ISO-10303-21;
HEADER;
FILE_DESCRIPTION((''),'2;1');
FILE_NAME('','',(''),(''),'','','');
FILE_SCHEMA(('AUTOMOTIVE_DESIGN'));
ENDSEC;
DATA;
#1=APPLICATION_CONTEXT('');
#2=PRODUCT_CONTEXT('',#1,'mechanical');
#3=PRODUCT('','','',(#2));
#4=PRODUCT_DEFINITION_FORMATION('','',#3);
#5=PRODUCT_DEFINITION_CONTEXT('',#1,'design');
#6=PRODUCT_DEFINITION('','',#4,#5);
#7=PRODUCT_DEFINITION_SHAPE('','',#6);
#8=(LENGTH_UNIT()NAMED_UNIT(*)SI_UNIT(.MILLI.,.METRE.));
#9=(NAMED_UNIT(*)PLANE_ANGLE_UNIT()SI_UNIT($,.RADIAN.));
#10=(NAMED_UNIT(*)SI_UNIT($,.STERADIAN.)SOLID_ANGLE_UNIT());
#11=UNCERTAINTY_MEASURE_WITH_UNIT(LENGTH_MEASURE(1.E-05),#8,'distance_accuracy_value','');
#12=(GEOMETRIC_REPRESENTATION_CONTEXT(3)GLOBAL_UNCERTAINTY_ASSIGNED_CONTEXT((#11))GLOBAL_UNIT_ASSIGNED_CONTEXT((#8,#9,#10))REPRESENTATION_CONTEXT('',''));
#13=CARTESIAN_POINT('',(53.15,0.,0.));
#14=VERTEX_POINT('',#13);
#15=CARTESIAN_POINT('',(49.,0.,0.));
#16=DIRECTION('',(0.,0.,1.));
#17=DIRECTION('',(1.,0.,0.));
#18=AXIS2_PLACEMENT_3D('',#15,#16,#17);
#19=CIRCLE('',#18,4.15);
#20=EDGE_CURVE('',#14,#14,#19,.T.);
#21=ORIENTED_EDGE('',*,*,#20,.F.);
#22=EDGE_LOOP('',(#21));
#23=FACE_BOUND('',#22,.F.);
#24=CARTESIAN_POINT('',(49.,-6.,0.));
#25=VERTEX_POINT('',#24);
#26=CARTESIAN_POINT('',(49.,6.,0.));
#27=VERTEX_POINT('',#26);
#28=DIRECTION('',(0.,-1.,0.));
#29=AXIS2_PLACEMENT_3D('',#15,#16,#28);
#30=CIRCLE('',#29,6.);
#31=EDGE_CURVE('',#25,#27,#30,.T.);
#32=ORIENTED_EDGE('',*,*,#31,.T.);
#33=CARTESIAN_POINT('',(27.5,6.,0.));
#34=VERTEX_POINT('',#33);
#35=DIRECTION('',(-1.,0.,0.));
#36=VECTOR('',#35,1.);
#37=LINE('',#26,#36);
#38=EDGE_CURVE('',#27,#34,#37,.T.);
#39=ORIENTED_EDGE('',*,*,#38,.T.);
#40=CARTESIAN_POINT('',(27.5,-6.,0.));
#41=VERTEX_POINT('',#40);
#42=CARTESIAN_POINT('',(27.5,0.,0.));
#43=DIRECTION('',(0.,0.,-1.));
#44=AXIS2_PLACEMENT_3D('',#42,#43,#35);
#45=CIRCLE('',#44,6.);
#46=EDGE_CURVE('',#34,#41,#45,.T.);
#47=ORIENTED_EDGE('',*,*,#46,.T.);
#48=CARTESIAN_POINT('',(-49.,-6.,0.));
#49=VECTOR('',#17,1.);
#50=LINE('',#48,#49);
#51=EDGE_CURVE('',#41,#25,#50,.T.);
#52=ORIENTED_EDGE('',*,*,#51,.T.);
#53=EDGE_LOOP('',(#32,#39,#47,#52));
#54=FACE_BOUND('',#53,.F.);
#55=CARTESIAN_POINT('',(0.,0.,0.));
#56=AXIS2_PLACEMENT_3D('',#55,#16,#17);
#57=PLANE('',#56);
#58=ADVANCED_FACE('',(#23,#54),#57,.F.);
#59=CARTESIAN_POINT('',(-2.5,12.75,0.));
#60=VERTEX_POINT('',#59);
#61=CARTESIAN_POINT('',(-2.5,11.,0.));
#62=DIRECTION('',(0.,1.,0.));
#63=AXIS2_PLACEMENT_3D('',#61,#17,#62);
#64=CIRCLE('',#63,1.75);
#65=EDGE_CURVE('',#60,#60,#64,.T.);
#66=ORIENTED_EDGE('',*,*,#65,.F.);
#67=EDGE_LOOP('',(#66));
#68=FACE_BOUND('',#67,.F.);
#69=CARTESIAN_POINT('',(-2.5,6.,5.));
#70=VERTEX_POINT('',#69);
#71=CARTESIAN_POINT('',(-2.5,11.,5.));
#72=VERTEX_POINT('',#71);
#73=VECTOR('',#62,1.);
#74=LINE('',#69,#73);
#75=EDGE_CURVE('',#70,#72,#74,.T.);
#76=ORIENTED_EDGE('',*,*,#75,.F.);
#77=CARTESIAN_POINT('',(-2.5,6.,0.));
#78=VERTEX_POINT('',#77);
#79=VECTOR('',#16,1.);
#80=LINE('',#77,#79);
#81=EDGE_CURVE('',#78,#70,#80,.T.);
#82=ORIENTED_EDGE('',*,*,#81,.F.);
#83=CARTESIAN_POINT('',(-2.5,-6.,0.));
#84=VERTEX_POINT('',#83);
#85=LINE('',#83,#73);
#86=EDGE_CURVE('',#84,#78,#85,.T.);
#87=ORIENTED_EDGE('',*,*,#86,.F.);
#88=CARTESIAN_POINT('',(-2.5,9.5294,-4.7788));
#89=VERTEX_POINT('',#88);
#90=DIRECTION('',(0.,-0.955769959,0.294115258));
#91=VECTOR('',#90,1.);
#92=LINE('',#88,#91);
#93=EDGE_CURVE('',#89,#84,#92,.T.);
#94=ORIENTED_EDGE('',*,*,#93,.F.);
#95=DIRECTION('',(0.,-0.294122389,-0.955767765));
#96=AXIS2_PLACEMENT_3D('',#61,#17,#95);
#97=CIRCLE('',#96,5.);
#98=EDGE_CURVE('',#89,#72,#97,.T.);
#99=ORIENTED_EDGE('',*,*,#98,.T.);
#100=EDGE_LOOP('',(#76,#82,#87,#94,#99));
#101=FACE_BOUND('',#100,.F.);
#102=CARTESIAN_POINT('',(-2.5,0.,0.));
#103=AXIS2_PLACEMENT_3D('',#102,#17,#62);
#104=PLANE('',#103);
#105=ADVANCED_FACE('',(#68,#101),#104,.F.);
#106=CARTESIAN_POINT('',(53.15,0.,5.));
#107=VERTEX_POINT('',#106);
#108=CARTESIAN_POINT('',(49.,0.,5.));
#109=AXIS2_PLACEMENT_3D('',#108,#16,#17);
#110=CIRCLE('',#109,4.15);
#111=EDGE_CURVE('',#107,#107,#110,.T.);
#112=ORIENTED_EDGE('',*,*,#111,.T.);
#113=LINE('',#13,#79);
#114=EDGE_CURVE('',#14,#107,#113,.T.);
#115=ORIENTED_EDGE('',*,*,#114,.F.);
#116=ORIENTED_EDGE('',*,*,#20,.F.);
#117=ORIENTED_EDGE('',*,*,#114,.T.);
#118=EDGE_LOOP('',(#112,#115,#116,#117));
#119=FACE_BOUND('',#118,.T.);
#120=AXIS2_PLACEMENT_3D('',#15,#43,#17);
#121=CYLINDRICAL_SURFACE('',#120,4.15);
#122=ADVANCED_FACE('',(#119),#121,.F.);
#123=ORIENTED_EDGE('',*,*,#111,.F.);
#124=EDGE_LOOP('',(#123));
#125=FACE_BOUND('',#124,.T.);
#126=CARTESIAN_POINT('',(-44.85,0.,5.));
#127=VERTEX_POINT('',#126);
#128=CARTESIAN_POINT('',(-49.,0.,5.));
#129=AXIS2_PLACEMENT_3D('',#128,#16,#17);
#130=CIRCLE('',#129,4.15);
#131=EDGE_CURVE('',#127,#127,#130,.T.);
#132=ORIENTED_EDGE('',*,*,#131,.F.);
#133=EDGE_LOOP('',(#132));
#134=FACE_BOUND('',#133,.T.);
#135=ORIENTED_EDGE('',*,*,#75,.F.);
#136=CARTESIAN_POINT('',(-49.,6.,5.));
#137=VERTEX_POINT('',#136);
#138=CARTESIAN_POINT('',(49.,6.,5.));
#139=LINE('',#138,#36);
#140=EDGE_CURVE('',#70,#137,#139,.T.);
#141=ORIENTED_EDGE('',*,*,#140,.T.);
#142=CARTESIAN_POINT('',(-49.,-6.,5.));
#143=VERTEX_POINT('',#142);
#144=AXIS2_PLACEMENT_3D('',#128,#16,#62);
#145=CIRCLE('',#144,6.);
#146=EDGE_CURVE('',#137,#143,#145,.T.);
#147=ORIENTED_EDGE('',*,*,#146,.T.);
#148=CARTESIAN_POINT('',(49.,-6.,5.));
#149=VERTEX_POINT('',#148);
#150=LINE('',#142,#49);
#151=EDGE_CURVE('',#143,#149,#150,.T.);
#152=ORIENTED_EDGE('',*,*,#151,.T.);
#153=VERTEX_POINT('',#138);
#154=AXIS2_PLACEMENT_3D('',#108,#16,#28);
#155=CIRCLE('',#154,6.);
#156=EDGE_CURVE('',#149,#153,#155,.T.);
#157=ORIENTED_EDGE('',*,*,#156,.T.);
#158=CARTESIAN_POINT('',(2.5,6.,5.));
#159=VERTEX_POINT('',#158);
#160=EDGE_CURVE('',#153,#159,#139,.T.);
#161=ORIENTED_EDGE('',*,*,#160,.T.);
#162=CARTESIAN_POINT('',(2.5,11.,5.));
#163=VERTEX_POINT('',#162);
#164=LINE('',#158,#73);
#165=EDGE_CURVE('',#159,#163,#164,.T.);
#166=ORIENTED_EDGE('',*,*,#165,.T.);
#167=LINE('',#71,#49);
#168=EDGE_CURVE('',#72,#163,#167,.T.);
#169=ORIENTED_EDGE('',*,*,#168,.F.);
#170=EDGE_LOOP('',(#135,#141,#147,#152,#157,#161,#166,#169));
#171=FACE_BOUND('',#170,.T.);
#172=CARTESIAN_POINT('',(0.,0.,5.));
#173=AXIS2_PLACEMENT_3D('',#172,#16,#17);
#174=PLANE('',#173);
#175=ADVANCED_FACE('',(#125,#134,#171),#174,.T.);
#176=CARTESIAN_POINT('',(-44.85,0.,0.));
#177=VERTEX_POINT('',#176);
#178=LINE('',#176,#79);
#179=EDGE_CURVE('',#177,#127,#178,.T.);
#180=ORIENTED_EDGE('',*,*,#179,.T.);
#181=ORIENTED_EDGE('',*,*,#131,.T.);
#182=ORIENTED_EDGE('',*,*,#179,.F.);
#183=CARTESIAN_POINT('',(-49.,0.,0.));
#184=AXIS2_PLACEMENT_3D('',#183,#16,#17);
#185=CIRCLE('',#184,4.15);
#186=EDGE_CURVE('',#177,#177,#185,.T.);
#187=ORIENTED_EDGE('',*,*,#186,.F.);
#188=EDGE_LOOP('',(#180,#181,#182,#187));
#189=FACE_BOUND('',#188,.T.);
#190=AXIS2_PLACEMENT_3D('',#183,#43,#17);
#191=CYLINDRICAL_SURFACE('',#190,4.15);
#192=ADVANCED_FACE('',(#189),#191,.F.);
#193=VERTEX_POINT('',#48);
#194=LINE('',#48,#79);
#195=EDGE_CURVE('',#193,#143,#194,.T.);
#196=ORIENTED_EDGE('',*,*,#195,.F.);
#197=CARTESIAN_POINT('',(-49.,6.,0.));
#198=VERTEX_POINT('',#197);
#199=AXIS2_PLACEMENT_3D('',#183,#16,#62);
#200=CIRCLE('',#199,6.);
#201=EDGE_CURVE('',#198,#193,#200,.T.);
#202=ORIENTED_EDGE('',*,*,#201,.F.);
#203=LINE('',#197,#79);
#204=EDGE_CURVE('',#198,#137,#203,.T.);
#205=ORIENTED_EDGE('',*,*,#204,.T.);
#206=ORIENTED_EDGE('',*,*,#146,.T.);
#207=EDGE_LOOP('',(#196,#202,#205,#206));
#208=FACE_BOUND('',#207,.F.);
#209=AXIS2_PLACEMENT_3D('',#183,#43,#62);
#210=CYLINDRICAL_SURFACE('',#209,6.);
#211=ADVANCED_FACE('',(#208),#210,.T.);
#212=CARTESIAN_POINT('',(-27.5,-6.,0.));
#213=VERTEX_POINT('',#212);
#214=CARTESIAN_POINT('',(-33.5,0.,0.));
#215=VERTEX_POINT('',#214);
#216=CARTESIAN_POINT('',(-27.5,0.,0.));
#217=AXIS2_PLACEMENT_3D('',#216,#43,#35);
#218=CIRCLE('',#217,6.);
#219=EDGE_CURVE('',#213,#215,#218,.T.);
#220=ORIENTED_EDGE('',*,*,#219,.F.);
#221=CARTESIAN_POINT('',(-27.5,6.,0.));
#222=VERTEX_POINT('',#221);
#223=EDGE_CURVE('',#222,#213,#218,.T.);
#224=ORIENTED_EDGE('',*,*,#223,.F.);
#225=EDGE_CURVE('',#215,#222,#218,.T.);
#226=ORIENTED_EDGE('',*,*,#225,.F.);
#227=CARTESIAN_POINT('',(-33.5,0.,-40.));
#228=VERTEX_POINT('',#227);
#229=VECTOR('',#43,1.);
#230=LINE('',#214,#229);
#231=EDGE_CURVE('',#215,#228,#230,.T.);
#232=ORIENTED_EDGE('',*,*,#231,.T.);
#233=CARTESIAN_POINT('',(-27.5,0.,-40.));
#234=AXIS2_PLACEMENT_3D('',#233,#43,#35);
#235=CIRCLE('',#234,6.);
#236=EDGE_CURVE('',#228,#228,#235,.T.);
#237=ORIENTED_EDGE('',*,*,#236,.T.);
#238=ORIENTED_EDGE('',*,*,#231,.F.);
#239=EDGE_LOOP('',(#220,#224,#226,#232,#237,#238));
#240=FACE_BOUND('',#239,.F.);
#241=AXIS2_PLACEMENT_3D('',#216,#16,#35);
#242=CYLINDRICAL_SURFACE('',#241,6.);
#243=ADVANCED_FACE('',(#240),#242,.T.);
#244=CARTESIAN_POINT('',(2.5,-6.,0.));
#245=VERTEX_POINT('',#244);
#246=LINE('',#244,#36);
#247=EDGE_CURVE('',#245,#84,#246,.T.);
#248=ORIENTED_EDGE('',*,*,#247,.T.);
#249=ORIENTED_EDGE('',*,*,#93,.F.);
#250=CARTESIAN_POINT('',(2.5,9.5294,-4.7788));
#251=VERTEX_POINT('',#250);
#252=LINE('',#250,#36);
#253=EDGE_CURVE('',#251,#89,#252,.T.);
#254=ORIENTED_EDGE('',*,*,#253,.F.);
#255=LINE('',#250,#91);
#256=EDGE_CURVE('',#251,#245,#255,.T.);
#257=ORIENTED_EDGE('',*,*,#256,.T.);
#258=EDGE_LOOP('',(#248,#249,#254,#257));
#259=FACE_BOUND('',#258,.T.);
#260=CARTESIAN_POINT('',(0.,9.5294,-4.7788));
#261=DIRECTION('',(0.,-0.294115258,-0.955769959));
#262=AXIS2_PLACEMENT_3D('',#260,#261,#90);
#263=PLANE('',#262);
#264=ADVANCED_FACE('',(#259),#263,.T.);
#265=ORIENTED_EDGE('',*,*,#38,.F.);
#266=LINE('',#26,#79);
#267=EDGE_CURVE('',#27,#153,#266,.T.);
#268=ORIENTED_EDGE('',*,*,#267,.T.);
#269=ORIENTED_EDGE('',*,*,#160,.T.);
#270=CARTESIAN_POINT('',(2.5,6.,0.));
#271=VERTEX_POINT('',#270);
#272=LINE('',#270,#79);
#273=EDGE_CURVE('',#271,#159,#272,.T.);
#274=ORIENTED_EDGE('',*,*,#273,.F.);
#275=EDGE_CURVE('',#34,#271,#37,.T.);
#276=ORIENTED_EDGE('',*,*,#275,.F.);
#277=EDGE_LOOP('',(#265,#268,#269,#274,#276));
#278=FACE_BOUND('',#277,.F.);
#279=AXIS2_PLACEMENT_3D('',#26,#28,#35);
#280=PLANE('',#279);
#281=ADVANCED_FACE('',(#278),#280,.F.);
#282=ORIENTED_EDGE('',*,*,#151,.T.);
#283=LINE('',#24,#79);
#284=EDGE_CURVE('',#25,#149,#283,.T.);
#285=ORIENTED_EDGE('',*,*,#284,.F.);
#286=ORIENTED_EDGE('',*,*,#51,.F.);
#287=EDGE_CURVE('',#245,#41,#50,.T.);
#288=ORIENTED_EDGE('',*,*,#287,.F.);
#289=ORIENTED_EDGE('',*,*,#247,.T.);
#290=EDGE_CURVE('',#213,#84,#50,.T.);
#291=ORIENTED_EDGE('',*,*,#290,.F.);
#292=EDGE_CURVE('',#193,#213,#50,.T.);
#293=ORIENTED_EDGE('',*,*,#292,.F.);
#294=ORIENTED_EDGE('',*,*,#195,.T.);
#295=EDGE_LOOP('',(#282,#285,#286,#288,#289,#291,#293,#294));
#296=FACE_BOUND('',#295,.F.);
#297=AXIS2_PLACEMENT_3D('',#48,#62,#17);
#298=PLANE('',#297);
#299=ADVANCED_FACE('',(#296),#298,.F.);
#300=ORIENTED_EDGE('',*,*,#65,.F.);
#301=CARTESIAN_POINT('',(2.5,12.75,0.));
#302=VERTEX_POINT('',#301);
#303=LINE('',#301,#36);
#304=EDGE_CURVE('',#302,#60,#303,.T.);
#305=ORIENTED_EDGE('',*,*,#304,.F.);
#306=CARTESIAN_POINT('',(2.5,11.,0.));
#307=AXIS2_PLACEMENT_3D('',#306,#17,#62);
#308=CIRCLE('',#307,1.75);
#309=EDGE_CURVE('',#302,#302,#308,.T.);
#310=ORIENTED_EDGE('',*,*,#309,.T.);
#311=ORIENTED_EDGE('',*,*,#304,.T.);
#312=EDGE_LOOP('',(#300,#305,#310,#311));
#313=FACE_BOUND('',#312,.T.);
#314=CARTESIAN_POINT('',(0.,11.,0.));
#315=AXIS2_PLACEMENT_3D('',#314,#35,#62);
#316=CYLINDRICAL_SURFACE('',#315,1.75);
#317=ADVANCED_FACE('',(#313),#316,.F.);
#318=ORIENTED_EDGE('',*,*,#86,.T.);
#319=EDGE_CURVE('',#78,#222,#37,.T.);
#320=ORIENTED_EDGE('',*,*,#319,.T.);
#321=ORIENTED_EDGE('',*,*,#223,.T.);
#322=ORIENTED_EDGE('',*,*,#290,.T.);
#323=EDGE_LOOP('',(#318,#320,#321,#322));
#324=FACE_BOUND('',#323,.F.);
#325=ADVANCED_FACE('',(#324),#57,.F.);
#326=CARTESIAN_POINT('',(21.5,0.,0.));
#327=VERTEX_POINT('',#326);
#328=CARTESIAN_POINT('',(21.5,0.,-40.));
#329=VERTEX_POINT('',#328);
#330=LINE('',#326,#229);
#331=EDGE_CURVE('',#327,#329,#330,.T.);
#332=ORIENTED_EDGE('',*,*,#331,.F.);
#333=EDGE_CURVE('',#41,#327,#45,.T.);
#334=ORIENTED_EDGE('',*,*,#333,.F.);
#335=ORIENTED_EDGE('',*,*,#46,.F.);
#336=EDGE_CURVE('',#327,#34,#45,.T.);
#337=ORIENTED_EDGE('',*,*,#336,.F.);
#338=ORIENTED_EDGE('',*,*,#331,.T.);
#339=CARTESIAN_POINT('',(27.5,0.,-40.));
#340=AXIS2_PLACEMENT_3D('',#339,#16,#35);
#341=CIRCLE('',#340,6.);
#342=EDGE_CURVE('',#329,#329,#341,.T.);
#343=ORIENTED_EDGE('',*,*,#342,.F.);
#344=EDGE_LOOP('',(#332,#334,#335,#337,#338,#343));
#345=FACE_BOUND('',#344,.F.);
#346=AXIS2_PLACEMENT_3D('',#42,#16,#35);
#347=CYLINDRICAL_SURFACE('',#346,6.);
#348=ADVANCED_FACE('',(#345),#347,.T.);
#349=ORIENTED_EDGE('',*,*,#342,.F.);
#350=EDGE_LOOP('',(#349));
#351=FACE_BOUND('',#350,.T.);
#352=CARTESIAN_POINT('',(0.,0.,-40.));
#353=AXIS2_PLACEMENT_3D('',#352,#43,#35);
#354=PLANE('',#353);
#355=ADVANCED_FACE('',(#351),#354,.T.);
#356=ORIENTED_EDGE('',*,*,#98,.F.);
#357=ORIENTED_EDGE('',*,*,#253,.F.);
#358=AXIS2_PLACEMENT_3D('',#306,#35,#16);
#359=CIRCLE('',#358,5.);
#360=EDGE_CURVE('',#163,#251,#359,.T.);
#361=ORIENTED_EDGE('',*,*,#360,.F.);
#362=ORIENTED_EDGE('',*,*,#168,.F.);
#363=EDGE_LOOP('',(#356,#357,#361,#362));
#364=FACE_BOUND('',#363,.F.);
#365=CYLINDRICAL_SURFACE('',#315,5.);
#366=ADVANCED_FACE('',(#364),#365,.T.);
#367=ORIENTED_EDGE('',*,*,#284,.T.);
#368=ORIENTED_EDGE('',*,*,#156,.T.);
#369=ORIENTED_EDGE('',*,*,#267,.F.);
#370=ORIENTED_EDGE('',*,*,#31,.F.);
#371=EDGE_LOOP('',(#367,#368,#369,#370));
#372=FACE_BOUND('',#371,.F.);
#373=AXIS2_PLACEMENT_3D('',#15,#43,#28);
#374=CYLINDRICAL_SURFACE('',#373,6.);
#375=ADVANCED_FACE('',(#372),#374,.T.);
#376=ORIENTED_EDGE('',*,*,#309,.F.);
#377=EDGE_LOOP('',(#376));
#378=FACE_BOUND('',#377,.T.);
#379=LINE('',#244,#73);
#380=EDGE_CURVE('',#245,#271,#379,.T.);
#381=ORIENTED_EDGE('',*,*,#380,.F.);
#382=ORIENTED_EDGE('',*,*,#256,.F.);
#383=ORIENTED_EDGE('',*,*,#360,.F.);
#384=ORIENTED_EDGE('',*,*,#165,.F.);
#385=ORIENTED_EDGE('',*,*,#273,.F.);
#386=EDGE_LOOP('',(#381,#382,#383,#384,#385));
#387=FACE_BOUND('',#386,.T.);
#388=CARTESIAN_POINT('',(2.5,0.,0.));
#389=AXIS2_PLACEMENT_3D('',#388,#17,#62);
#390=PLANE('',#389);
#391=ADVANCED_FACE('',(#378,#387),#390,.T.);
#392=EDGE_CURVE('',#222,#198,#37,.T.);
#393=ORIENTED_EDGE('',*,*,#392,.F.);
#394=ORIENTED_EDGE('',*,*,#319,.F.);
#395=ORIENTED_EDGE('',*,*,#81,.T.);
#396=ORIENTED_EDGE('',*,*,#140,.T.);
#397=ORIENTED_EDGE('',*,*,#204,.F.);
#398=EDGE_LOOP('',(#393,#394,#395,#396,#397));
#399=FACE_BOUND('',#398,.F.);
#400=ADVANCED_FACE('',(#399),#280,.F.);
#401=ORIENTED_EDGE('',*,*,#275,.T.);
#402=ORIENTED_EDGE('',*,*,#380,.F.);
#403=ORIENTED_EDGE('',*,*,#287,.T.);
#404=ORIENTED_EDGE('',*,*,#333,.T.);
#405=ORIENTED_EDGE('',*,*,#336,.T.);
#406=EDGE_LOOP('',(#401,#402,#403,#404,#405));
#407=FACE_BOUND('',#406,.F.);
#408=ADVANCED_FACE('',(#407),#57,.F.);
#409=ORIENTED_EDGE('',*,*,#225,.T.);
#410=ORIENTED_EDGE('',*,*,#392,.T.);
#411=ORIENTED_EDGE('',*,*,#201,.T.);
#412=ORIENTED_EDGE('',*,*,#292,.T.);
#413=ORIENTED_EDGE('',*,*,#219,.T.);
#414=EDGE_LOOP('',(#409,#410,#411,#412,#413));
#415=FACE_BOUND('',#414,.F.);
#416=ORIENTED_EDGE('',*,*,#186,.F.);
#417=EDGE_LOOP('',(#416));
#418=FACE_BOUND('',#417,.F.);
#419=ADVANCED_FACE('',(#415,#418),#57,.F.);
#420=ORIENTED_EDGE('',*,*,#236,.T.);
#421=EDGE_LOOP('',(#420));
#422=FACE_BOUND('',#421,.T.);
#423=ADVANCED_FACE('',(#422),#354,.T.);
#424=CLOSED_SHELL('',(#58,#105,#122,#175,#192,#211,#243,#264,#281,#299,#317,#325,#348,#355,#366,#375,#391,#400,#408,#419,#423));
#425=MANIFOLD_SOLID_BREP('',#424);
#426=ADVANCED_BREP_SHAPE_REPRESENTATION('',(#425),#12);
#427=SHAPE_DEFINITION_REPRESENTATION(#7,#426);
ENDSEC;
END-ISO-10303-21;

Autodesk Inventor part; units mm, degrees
ref_plane "YZ Plane" through (0, 0, 0) normal (1, 0, 0) x (0, 1, 0)
ref_plane "XZ Plane" through (0, 0, 0) normal (0, 1, 0) x (-1, 0, 0)
ref_plane "XY Plane" through (0, 0, 0) normal (0, 0, 1) x (1, 0, 0)
sketch "Sketch1" plane through (0, 0, 0) normal (0, 0, 1) x (1, 0, 0)
  line L0 (-49, 0) -> (49, 0) construction
  line L1 (-49, -6) -> (49, -6)
  line L2 (49, 6) -> (-49, 6)
  arc A0 (-49, 6) -> (-49, -6) centre (-49, 0) ccw
  arc A1 (49, -6) -> (49, 6) centre (49, 0) ccw
  circle A2 centre (49, 0) radius 4.15
  circle A3 centre (-49, 0) radius 4.15
  point P0 (0, 0)
  dimension "d0" = 49
  dimension "d1" = 12
  dimension "d2" = 8.3
  dimension "d3" = 8.3
extrude "Extrusion1" add sketch "Sketch1" along normal blind 5
sketch "Sketch2" plane through (0, 0, 0) normal (1, 0, 0) x (0, 1, 0)
  circle A0 centre (11, 0) radius 1.75
  circle A1 centre (11, 0) radius 5
  line L0 (6, 5) -> (-6, 5) projected
  line L1 (6, 5) -> (11, 5)
  line L2 (9.5294, -4.7788) -> (-6, 0)
  line L3 (-6, 0) -> (6, 0) projected
  line L4 (6, 0) -> (6, 5) projected
  line L5 (-6, 5) -> (6, 5) projected
  line L6 (-6, 0) -> (-6, 5) projected
  line L7 (6, 0) -> (6, 5) projected
  point P0 (0, 0)
  point P1 (-6, 0)
  dimension "d6" = 3.5
  dimension "d7" = 10
extrude "Extrusion2" add sketch "Sketch2" along normal mid plane 5 contours A1 | A1 L4 L1 | L2 L3 A1
sketch "Sketch3" plane through (0, 0, 0) normal (0, 0, -1) x (-1, 0, 0)
  circle A0 centre (-27.5, 0) radius 6
  line L0 (-49, 6) -> (-2.5, 6) projected
  line L1 (2.5, -6) -> (-2.5, -6) projected
  line L2 (0, -6) -> (0, -9.8516)
  line L3 (-2.5, -6) -> (-49, -6) projected
  line L4 (-2.5, -6) -> (-2.5, 9.5294) projected
  circle A1 centre (27.5, 0) radius 6
  point P0 (0, 0)
  dimension "d10" = 25
extrude "Extrusion3" add sketch "Sketch3" along normal blind 40 contours A0 | A1
properties part number "Support slider_3DPrint"
